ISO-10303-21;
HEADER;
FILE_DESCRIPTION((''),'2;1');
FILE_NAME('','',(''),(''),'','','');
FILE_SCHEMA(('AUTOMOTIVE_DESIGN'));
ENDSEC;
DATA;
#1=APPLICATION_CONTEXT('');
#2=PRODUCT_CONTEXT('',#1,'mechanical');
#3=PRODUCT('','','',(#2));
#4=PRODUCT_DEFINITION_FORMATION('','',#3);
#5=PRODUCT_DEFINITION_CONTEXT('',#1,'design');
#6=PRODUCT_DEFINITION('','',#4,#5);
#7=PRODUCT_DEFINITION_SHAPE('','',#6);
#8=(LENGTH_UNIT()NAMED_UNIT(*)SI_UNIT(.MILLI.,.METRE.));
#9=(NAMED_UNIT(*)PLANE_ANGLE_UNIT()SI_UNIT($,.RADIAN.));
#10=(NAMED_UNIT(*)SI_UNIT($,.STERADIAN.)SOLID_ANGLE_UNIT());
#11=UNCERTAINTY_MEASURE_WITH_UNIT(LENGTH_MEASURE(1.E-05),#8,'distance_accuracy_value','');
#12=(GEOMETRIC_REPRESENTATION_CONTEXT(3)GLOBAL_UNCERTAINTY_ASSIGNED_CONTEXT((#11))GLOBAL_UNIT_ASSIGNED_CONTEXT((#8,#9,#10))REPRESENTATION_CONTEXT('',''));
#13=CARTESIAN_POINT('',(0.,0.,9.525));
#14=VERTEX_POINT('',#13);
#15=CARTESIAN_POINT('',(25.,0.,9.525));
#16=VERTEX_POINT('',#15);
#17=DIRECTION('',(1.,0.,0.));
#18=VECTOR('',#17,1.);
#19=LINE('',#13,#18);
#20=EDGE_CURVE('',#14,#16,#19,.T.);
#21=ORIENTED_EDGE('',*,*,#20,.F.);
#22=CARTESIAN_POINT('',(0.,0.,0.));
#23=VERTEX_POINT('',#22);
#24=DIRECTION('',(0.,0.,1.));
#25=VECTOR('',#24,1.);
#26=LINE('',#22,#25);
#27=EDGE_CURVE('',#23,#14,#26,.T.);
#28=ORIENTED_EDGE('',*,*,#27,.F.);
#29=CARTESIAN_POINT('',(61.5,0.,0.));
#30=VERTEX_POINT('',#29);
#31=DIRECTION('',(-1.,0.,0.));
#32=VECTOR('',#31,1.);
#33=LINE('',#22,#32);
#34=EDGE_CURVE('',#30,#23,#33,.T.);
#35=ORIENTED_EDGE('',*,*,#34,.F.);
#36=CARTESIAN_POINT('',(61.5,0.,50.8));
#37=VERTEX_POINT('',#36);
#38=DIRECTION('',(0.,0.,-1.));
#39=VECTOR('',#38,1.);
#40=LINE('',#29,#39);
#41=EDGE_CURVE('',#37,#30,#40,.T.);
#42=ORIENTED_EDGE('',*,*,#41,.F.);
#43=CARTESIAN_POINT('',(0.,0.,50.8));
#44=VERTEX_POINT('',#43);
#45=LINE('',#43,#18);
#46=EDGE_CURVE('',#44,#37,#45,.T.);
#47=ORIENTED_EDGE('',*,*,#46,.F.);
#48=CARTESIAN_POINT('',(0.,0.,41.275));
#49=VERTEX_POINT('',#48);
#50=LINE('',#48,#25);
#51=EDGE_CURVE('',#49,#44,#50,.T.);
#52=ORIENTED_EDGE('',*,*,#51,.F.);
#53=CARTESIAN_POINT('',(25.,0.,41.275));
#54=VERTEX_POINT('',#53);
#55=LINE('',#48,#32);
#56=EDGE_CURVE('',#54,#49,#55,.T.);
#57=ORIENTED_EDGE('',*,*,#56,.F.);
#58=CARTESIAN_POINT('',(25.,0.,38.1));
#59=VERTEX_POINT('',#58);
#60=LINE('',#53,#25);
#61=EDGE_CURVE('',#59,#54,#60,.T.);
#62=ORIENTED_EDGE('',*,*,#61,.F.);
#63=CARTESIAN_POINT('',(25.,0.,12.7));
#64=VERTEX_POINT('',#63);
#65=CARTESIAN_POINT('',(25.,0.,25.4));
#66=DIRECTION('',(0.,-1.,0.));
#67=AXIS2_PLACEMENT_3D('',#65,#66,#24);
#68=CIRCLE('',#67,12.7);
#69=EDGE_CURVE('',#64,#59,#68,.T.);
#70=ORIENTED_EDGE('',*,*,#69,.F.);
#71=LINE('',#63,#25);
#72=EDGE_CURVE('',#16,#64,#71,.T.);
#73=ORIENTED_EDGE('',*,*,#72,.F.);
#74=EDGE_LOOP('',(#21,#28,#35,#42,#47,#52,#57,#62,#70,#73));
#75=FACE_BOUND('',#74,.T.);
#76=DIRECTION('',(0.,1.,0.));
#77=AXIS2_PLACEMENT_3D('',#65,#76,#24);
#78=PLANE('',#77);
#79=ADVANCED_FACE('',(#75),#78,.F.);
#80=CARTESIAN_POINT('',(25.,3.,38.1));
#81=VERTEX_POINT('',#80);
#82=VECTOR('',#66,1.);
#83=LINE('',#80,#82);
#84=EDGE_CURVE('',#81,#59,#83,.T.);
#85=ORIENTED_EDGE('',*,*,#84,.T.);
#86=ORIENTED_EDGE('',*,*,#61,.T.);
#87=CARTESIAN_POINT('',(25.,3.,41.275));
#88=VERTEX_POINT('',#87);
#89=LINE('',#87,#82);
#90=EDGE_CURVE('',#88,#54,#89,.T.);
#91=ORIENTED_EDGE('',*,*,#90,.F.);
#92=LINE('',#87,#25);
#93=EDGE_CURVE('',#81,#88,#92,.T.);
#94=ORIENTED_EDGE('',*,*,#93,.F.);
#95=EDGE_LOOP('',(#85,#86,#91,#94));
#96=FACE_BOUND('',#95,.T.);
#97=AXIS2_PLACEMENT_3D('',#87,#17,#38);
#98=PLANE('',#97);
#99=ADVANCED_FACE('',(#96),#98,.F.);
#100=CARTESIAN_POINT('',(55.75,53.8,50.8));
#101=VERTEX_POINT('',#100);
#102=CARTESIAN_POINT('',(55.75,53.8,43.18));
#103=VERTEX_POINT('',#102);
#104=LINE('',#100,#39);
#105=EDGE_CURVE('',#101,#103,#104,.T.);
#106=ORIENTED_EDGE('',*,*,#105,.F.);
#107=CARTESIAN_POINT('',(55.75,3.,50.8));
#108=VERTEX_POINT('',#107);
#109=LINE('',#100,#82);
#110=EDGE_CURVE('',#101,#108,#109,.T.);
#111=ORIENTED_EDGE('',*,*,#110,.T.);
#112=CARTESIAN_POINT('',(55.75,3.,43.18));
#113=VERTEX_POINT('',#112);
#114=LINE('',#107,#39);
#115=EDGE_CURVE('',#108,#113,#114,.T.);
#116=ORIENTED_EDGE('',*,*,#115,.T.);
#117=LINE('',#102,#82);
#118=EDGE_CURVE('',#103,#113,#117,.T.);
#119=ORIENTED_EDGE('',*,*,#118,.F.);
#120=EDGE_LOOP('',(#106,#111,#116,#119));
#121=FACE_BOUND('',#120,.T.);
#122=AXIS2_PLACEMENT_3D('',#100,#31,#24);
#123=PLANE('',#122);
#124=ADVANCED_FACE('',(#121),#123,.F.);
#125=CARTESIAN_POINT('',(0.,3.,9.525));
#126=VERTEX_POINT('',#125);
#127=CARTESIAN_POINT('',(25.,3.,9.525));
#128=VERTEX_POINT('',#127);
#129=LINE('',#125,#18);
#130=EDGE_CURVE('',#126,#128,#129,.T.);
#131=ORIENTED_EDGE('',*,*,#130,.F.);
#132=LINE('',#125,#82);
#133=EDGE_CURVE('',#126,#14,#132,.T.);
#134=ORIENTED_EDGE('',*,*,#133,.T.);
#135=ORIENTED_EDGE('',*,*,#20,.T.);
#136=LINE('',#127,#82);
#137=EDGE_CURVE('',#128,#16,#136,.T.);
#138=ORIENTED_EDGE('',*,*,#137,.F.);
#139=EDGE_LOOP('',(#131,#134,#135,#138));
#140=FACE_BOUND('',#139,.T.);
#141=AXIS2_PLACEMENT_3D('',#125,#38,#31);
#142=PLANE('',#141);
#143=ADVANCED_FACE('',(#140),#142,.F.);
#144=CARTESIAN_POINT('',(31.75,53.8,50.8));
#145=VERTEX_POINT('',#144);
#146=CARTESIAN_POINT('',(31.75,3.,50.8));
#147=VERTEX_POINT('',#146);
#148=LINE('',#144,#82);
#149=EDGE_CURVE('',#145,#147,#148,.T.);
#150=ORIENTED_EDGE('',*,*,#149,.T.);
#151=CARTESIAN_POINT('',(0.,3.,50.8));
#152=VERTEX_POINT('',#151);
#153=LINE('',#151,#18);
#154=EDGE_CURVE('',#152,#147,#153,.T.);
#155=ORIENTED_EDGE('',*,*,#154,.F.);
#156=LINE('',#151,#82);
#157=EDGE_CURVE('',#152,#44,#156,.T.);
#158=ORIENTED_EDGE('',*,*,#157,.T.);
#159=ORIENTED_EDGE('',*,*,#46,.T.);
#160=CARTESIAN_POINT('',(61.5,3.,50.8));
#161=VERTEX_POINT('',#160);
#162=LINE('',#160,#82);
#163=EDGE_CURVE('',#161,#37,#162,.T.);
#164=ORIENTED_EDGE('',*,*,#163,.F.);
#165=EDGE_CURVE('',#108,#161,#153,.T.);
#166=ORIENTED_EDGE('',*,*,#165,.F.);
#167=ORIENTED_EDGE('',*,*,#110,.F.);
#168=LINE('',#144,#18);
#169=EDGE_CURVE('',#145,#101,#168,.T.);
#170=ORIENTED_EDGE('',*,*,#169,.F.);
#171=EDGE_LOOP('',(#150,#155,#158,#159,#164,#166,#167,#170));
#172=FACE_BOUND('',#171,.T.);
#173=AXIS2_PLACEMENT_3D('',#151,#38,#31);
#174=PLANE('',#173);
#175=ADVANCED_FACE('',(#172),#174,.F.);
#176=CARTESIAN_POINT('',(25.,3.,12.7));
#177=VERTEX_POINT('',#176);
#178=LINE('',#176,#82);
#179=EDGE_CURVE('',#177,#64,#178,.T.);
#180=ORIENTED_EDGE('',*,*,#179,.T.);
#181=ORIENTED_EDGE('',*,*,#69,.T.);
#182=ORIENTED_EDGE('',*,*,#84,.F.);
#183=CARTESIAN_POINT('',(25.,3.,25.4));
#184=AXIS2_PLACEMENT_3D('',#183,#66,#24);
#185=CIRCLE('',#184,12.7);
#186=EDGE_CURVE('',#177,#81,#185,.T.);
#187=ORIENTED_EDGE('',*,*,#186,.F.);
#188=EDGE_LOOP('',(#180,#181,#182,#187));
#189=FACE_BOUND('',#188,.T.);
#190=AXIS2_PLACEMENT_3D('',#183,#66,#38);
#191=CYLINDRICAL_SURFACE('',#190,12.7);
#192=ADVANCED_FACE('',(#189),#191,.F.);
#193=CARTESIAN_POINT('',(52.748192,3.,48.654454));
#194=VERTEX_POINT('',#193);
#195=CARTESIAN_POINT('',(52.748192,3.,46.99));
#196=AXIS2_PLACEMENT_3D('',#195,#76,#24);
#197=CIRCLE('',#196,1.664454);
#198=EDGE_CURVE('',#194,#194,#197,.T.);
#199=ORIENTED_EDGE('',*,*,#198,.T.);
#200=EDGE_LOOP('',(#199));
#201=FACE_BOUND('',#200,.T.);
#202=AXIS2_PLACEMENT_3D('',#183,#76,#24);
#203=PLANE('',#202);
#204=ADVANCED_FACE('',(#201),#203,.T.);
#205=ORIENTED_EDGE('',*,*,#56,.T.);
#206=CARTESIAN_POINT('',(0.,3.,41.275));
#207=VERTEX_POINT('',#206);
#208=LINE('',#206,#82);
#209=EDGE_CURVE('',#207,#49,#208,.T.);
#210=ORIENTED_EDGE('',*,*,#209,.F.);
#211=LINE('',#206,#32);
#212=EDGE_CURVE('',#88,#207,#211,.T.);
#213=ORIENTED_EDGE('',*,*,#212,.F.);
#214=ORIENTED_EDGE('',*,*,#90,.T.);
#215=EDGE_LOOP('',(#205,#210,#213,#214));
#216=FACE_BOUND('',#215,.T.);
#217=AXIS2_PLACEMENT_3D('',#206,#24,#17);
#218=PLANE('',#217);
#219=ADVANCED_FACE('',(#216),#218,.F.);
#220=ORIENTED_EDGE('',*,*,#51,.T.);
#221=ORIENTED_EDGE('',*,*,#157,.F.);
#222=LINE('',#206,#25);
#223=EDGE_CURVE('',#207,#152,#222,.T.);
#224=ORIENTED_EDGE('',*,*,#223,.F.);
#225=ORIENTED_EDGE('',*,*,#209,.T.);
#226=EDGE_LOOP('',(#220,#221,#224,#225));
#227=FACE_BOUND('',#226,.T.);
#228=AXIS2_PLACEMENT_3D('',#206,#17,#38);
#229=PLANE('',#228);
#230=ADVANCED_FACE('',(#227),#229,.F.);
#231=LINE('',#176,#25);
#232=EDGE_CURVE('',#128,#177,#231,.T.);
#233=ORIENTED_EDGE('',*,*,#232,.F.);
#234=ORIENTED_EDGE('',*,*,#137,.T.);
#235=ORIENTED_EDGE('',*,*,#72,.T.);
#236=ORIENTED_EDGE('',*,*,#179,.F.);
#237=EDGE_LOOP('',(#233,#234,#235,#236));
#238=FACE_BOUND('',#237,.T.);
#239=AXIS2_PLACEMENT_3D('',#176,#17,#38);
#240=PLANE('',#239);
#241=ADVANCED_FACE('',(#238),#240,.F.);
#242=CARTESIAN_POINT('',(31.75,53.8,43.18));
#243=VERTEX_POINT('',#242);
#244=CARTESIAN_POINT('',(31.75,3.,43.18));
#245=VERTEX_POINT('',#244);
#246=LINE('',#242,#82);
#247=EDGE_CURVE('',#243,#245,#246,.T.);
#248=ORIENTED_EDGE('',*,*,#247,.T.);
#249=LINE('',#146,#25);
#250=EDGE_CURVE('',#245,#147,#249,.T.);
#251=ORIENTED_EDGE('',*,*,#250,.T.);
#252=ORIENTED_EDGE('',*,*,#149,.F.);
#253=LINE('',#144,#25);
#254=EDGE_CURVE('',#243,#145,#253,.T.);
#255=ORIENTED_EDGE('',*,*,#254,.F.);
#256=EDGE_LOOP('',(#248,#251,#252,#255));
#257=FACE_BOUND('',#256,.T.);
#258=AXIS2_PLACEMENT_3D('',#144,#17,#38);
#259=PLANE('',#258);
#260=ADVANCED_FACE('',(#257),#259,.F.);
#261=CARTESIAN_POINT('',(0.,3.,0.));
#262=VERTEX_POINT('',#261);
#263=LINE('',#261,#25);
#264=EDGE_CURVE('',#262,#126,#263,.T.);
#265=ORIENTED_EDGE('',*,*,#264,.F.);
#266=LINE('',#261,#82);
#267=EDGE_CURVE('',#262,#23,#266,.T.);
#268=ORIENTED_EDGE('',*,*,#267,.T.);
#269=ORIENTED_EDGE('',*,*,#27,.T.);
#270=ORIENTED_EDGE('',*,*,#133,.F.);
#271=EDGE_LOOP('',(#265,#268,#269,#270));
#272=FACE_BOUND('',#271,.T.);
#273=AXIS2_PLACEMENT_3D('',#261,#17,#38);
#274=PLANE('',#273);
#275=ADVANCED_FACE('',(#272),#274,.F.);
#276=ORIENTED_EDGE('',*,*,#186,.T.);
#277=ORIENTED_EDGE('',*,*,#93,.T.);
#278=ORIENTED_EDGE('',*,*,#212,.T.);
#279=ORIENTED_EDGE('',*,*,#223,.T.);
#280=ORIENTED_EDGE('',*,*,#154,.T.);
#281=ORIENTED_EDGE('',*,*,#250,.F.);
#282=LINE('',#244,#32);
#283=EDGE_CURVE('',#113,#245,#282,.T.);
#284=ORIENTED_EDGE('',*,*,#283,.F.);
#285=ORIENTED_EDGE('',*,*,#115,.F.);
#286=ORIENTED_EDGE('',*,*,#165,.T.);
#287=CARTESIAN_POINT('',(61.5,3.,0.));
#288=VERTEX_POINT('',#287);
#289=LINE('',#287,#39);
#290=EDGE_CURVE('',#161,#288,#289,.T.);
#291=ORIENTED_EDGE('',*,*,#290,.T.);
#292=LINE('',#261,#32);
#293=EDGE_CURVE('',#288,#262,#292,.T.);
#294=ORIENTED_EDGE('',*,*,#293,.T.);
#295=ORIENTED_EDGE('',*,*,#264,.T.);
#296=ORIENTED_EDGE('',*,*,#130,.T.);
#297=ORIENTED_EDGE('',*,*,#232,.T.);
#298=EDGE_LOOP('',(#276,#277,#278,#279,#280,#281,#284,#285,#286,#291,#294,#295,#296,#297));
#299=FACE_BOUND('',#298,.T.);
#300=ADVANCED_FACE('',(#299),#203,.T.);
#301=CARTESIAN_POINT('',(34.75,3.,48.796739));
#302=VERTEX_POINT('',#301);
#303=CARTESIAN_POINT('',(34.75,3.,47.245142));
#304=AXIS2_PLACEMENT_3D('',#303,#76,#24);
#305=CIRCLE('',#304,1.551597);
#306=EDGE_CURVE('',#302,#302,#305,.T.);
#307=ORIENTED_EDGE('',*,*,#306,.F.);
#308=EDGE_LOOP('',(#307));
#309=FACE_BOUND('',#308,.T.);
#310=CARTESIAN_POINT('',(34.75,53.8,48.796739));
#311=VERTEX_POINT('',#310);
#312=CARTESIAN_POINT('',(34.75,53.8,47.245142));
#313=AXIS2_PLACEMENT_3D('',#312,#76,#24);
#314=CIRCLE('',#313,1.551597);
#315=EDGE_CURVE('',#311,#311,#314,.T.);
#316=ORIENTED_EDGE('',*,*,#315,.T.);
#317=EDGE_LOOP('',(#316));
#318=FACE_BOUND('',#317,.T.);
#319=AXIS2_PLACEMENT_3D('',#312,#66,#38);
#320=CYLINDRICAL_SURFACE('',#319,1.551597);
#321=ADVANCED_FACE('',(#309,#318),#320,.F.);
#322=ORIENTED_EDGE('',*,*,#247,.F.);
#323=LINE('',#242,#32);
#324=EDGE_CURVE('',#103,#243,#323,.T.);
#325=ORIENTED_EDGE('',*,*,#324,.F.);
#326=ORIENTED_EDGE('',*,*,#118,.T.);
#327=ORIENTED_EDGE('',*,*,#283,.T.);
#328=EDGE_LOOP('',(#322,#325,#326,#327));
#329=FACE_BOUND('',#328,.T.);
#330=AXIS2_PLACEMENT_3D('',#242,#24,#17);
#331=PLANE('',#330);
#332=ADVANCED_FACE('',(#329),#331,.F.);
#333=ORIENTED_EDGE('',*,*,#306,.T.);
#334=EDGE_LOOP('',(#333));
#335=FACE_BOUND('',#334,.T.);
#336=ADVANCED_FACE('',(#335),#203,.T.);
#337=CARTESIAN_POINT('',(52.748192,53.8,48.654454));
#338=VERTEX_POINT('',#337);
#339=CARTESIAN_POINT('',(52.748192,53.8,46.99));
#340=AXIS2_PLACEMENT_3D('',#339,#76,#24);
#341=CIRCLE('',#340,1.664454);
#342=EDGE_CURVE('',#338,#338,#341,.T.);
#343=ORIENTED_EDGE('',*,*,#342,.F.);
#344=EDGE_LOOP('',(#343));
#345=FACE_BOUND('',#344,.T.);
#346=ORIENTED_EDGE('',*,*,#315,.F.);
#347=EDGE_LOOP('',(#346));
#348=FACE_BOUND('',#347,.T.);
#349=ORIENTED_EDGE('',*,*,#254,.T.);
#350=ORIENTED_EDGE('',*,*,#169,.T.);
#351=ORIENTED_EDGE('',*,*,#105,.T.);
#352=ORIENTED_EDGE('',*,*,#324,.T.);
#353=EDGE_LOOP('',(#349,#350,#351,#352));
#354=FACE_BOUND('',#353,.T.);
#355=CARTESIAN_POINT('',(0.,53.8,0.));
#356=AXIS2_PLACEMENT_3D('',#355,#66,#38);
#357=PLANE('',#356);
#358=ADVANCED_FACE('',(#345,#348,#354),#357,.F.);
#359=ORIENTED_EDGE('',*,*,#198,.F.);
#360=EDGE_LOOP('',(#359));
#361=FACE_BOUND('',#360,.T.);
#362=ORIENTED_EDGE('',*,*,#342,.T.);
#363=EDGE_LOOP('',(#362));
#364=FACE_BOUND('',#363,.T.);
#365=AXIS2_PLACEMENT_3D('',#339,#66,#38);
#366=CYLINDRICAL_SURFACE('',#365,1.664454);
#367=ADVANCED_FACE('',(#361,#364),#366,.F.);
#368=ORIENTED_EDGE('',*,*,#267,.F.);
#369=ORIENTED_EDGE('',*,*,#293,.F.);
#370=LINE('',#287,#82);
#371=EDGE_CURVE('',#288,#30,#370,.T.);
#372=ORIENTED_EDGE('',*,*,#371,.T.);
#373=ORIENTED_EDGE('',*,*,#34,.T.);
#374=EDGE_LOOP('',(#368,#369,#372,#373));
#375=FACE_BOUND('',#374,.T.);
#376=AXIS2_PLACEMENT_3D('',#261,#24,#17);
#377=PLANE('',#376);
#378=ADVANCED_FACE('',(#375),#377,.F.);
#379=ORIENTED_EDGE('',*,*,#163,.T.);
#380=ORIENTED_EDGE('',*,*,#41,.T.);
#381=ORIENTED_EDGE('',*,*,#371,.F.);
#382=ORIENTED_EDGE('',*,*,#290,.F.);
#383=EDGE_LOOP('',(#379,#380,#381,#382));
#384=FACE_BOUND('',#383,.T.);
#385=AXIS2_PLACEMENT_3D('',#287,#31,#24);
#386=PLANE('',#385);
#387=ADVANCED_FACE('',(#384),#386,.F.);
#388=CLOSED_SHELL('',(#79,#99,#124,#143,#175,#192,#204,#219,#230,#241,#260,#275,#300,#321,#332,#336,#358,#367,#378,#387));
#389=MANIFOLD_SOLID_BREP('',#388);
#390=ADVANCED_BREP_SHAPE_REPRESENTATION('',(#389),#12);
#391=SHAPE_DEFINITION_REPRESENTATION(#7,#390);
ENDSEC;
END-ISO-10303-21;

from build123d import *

# Parameters (mm, degrees)
BOSS_EXTRUDE1_DEPTH = 3
SKETCH2_W           = 24
SKETCH2_H           = 7.62
SKETCH2_R           = 1.551597038
SKETCH2_R_2         = 1.664454239
BOSS_EXTRUDE2_DEPTH = 50.8


with BuildPart() as part:
    # Sketch1 → Boss-Extrude1 (new body)
    with BuildSketch(Plane(origin=(0, 0, 0), x_dir=(1, 0, 0), z_dir=(0, 1, 0))):
        with BuildLine():
            Line((0, 0), (61.5, 0))
            Line((61.5, 0), (61.5, -50.8))
            Line((61.5, -50.8), (0, -50.8))
            Line((0, -50.8), (0, -41.275))
            Line((0, -41.275), (25, -41.275))
            Line((25, -41.275), (25, -38.1))
            ThreePointArc((25, -38.1), (37.7, -25.4), (25, -12.7))
            Line((25, -12.7), (25, -9.525))
            Line((25, -9.525), (0, -9.525))
            Line((0, -9.525), (0, 0))
        make_face()
    extrude(amount=BOSS_EXTRUDE1_DEPTH)

    # Sketch2 → Boss-Extrude2 (add)
    with BuildSketch(Plane(origin=(0, 3, 0), x_dir=(1, 0, 0), z_dir=(0, 1, 0))):
        with Locations((43.75, -46.99)):
            Rectangle(SKETCH2_W, SKETCH2_H)
        with Locations(Location((34.75, -47.245142262, 0), (0, 0, 270))):
            Circle(SKETCH2_R, mode=Mode.SUBTRACT)
        with Locations(Location((52.748191643, -46.99, 0), (0, 0, 270))):
            Circle(SKETCH2_R_2, mode=Mode.SUBTRACT)
    extrude(amount=BOSS_EXTRUDE2_DEPTH)


solid = part.part
